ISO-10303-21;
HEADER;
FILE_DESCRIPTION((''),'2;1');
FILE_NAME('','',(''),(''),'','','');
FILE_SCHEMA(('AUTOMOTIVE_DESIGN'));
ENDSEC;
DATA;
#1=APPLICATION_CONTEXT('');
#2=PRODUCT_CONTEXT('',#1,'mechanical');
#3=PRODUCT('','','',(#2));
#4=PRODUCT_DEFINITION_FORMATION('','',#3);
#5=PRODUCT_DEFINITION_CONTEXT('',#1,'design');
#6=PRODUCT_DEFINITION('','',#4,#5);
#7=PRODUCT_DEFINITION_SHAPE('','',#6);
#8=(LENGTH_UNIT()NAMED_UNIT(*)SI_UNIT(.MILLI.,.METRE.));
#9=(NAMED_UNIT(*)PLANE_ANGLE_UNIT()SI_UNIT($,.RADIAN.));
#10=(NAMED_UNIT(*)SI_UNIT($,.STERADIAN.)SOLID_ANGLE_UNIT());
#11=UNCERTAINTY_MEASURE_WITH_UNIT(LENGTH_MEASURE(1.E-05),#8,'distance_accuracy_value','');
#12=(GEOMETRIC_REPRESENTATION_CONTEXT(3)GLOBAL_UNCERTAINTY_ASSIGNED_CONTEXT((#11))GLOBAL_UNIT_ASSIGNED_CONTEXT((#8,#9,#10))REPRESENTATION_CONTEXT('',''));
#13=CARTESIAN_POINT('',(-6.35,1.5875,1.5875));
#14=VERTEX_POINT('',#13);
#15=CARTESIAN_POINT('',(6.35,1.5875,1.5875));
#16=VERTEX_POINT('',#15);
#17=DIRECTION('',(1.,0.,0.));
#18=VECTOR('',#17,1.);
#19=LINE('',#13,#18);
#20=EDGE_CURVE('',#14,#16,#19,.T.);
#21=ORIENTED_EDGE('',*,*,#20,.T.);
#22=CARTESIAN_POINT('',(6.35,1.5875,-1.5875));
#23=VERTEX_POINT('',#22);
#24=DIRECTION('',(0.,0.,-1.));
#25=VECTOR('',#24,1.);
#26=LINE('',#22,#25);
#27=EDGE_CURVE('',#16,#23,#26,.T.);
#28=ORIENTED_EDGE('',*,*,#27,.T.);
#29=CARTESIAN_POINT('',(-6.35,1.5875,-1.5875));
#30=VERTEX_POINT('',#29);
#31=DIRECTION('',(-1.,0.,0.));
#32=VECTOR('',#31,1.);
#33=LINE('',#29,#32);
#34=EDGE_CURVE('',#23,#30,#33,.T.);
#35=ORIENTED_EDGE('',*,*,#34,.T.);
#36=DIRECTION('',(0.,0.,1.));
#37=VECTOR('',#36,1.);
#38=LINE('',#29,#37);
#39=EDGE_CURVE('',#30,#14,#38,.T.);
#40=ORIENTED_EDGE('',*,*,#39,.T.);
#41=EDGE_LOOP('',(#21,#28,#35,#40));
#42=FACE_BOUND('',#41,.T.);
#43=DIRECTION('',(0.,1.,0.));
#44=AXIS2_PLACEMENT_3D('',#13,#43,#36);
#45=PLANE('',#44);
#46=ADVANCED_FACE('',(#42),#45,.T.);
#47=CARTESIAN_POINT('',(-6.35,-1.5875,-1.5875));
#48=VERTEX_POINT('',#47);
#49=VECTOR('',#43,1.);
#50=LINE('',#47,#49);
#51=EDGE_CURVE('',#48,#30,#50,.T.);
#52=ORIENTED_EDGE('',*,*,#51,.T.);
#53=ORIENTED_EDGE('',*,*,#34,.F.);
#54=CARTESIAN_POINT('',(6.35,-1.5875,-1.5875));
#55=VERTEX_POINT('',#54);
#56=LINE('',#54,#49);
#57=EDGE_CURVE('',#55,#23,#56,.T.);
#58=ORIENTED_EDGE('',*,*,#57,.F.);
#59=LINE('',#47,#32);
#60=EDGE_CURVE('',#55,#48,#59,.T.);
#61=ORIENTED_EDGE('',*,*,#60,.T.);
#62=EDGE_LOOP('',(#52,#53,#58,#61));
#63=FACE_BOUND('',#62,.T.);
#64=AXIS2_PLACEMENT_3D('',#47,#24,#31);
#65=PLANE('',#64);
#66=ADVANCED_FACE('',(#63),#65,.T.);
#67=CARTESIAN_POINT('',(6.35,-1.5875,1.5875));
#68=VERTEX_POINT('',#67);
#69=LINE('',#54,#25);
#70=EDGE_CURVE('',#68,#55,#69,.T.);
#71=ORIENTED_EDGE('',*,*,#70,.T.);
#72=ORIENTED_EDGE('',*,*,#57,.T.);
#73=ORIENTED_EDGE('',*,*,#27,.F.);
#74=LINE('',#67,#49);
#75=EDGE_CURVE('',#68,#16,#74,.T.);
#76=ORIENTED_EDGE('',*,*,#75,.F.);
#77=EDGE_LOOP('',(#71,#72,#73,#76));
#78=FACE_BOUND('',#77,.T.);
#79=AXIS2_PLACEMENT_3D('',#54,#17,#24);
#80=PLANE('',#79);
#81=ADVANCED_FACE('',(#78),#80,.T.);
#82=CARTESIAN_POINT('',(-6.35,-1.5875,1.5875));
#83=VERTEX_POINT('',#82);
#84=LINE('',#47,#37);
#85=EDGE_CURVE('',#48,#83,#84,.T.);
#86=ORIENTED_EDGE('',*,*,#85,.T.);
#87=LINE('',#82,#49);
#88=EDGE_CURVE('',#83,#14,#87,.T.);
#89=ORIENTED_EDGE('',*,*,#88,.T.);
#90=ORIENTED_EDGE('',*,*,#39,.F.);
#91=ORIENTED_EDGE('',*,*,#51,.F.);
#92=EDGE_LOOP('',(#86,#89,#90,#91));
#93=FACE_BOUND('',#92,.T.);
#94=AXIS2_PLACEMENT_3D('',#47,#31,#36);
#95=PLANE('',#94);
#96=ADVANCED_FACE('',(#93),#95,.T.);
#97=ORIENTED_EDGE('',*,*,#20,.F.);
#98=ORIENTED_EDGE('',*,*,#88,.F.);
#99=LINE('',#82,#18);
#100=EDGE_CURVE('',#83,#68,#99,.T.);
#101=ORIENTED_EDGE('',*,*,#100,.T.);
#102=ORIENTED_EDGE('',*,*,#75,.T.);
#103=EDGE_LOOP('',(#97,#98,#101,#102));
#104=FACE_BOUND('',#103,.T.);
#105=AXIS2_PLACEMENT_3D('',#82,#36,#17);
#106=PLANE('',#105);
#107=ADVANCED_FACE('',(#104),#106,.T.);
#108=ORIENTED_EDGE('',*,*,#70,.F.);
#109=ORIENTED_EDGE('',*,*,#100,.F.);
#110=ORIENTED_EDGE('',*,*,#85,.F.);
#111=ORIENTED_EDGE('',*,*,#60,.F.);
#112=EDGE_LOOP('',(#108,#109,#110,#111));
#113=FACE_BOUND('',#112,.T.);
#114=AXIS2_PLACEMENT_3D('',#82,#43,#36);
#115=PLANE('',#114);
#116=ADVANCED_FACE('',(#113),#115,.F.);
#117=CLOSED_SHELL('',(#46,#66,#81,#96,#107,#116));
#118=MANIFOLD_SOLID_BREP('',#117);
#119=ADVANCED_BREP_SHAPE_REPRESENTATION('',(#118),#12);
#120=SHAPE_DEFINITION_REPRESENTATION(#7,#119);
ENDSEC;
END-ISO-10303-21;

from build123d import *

# Parameters (mm, degrees)
SKETCH3_W           = 12.7
SKETCH3_H           = 3.175
EXTRUDE1_DEPTH      = 1.5875
EXTRUDE1_DEPTH_BACK = 1.5875


with BuildPart() as part:
    # Sketch3 → Extrude1 (new body, two sides)
    with BuildSketch(Plane(origin=(0, 0, 0), x_dir=(1, 0, 0), z_dir=(0, 1, 0))) as extrude1_sk:
        Rectangle(SKETCH3_W, SKETCH3_H)
    extrude(amount=EXTRUDE1_DEPTH)
    extrude(extrude1_sk.sketch, amount=-EXTRUDE1_DEPTH_BACK)


solid = part.part
